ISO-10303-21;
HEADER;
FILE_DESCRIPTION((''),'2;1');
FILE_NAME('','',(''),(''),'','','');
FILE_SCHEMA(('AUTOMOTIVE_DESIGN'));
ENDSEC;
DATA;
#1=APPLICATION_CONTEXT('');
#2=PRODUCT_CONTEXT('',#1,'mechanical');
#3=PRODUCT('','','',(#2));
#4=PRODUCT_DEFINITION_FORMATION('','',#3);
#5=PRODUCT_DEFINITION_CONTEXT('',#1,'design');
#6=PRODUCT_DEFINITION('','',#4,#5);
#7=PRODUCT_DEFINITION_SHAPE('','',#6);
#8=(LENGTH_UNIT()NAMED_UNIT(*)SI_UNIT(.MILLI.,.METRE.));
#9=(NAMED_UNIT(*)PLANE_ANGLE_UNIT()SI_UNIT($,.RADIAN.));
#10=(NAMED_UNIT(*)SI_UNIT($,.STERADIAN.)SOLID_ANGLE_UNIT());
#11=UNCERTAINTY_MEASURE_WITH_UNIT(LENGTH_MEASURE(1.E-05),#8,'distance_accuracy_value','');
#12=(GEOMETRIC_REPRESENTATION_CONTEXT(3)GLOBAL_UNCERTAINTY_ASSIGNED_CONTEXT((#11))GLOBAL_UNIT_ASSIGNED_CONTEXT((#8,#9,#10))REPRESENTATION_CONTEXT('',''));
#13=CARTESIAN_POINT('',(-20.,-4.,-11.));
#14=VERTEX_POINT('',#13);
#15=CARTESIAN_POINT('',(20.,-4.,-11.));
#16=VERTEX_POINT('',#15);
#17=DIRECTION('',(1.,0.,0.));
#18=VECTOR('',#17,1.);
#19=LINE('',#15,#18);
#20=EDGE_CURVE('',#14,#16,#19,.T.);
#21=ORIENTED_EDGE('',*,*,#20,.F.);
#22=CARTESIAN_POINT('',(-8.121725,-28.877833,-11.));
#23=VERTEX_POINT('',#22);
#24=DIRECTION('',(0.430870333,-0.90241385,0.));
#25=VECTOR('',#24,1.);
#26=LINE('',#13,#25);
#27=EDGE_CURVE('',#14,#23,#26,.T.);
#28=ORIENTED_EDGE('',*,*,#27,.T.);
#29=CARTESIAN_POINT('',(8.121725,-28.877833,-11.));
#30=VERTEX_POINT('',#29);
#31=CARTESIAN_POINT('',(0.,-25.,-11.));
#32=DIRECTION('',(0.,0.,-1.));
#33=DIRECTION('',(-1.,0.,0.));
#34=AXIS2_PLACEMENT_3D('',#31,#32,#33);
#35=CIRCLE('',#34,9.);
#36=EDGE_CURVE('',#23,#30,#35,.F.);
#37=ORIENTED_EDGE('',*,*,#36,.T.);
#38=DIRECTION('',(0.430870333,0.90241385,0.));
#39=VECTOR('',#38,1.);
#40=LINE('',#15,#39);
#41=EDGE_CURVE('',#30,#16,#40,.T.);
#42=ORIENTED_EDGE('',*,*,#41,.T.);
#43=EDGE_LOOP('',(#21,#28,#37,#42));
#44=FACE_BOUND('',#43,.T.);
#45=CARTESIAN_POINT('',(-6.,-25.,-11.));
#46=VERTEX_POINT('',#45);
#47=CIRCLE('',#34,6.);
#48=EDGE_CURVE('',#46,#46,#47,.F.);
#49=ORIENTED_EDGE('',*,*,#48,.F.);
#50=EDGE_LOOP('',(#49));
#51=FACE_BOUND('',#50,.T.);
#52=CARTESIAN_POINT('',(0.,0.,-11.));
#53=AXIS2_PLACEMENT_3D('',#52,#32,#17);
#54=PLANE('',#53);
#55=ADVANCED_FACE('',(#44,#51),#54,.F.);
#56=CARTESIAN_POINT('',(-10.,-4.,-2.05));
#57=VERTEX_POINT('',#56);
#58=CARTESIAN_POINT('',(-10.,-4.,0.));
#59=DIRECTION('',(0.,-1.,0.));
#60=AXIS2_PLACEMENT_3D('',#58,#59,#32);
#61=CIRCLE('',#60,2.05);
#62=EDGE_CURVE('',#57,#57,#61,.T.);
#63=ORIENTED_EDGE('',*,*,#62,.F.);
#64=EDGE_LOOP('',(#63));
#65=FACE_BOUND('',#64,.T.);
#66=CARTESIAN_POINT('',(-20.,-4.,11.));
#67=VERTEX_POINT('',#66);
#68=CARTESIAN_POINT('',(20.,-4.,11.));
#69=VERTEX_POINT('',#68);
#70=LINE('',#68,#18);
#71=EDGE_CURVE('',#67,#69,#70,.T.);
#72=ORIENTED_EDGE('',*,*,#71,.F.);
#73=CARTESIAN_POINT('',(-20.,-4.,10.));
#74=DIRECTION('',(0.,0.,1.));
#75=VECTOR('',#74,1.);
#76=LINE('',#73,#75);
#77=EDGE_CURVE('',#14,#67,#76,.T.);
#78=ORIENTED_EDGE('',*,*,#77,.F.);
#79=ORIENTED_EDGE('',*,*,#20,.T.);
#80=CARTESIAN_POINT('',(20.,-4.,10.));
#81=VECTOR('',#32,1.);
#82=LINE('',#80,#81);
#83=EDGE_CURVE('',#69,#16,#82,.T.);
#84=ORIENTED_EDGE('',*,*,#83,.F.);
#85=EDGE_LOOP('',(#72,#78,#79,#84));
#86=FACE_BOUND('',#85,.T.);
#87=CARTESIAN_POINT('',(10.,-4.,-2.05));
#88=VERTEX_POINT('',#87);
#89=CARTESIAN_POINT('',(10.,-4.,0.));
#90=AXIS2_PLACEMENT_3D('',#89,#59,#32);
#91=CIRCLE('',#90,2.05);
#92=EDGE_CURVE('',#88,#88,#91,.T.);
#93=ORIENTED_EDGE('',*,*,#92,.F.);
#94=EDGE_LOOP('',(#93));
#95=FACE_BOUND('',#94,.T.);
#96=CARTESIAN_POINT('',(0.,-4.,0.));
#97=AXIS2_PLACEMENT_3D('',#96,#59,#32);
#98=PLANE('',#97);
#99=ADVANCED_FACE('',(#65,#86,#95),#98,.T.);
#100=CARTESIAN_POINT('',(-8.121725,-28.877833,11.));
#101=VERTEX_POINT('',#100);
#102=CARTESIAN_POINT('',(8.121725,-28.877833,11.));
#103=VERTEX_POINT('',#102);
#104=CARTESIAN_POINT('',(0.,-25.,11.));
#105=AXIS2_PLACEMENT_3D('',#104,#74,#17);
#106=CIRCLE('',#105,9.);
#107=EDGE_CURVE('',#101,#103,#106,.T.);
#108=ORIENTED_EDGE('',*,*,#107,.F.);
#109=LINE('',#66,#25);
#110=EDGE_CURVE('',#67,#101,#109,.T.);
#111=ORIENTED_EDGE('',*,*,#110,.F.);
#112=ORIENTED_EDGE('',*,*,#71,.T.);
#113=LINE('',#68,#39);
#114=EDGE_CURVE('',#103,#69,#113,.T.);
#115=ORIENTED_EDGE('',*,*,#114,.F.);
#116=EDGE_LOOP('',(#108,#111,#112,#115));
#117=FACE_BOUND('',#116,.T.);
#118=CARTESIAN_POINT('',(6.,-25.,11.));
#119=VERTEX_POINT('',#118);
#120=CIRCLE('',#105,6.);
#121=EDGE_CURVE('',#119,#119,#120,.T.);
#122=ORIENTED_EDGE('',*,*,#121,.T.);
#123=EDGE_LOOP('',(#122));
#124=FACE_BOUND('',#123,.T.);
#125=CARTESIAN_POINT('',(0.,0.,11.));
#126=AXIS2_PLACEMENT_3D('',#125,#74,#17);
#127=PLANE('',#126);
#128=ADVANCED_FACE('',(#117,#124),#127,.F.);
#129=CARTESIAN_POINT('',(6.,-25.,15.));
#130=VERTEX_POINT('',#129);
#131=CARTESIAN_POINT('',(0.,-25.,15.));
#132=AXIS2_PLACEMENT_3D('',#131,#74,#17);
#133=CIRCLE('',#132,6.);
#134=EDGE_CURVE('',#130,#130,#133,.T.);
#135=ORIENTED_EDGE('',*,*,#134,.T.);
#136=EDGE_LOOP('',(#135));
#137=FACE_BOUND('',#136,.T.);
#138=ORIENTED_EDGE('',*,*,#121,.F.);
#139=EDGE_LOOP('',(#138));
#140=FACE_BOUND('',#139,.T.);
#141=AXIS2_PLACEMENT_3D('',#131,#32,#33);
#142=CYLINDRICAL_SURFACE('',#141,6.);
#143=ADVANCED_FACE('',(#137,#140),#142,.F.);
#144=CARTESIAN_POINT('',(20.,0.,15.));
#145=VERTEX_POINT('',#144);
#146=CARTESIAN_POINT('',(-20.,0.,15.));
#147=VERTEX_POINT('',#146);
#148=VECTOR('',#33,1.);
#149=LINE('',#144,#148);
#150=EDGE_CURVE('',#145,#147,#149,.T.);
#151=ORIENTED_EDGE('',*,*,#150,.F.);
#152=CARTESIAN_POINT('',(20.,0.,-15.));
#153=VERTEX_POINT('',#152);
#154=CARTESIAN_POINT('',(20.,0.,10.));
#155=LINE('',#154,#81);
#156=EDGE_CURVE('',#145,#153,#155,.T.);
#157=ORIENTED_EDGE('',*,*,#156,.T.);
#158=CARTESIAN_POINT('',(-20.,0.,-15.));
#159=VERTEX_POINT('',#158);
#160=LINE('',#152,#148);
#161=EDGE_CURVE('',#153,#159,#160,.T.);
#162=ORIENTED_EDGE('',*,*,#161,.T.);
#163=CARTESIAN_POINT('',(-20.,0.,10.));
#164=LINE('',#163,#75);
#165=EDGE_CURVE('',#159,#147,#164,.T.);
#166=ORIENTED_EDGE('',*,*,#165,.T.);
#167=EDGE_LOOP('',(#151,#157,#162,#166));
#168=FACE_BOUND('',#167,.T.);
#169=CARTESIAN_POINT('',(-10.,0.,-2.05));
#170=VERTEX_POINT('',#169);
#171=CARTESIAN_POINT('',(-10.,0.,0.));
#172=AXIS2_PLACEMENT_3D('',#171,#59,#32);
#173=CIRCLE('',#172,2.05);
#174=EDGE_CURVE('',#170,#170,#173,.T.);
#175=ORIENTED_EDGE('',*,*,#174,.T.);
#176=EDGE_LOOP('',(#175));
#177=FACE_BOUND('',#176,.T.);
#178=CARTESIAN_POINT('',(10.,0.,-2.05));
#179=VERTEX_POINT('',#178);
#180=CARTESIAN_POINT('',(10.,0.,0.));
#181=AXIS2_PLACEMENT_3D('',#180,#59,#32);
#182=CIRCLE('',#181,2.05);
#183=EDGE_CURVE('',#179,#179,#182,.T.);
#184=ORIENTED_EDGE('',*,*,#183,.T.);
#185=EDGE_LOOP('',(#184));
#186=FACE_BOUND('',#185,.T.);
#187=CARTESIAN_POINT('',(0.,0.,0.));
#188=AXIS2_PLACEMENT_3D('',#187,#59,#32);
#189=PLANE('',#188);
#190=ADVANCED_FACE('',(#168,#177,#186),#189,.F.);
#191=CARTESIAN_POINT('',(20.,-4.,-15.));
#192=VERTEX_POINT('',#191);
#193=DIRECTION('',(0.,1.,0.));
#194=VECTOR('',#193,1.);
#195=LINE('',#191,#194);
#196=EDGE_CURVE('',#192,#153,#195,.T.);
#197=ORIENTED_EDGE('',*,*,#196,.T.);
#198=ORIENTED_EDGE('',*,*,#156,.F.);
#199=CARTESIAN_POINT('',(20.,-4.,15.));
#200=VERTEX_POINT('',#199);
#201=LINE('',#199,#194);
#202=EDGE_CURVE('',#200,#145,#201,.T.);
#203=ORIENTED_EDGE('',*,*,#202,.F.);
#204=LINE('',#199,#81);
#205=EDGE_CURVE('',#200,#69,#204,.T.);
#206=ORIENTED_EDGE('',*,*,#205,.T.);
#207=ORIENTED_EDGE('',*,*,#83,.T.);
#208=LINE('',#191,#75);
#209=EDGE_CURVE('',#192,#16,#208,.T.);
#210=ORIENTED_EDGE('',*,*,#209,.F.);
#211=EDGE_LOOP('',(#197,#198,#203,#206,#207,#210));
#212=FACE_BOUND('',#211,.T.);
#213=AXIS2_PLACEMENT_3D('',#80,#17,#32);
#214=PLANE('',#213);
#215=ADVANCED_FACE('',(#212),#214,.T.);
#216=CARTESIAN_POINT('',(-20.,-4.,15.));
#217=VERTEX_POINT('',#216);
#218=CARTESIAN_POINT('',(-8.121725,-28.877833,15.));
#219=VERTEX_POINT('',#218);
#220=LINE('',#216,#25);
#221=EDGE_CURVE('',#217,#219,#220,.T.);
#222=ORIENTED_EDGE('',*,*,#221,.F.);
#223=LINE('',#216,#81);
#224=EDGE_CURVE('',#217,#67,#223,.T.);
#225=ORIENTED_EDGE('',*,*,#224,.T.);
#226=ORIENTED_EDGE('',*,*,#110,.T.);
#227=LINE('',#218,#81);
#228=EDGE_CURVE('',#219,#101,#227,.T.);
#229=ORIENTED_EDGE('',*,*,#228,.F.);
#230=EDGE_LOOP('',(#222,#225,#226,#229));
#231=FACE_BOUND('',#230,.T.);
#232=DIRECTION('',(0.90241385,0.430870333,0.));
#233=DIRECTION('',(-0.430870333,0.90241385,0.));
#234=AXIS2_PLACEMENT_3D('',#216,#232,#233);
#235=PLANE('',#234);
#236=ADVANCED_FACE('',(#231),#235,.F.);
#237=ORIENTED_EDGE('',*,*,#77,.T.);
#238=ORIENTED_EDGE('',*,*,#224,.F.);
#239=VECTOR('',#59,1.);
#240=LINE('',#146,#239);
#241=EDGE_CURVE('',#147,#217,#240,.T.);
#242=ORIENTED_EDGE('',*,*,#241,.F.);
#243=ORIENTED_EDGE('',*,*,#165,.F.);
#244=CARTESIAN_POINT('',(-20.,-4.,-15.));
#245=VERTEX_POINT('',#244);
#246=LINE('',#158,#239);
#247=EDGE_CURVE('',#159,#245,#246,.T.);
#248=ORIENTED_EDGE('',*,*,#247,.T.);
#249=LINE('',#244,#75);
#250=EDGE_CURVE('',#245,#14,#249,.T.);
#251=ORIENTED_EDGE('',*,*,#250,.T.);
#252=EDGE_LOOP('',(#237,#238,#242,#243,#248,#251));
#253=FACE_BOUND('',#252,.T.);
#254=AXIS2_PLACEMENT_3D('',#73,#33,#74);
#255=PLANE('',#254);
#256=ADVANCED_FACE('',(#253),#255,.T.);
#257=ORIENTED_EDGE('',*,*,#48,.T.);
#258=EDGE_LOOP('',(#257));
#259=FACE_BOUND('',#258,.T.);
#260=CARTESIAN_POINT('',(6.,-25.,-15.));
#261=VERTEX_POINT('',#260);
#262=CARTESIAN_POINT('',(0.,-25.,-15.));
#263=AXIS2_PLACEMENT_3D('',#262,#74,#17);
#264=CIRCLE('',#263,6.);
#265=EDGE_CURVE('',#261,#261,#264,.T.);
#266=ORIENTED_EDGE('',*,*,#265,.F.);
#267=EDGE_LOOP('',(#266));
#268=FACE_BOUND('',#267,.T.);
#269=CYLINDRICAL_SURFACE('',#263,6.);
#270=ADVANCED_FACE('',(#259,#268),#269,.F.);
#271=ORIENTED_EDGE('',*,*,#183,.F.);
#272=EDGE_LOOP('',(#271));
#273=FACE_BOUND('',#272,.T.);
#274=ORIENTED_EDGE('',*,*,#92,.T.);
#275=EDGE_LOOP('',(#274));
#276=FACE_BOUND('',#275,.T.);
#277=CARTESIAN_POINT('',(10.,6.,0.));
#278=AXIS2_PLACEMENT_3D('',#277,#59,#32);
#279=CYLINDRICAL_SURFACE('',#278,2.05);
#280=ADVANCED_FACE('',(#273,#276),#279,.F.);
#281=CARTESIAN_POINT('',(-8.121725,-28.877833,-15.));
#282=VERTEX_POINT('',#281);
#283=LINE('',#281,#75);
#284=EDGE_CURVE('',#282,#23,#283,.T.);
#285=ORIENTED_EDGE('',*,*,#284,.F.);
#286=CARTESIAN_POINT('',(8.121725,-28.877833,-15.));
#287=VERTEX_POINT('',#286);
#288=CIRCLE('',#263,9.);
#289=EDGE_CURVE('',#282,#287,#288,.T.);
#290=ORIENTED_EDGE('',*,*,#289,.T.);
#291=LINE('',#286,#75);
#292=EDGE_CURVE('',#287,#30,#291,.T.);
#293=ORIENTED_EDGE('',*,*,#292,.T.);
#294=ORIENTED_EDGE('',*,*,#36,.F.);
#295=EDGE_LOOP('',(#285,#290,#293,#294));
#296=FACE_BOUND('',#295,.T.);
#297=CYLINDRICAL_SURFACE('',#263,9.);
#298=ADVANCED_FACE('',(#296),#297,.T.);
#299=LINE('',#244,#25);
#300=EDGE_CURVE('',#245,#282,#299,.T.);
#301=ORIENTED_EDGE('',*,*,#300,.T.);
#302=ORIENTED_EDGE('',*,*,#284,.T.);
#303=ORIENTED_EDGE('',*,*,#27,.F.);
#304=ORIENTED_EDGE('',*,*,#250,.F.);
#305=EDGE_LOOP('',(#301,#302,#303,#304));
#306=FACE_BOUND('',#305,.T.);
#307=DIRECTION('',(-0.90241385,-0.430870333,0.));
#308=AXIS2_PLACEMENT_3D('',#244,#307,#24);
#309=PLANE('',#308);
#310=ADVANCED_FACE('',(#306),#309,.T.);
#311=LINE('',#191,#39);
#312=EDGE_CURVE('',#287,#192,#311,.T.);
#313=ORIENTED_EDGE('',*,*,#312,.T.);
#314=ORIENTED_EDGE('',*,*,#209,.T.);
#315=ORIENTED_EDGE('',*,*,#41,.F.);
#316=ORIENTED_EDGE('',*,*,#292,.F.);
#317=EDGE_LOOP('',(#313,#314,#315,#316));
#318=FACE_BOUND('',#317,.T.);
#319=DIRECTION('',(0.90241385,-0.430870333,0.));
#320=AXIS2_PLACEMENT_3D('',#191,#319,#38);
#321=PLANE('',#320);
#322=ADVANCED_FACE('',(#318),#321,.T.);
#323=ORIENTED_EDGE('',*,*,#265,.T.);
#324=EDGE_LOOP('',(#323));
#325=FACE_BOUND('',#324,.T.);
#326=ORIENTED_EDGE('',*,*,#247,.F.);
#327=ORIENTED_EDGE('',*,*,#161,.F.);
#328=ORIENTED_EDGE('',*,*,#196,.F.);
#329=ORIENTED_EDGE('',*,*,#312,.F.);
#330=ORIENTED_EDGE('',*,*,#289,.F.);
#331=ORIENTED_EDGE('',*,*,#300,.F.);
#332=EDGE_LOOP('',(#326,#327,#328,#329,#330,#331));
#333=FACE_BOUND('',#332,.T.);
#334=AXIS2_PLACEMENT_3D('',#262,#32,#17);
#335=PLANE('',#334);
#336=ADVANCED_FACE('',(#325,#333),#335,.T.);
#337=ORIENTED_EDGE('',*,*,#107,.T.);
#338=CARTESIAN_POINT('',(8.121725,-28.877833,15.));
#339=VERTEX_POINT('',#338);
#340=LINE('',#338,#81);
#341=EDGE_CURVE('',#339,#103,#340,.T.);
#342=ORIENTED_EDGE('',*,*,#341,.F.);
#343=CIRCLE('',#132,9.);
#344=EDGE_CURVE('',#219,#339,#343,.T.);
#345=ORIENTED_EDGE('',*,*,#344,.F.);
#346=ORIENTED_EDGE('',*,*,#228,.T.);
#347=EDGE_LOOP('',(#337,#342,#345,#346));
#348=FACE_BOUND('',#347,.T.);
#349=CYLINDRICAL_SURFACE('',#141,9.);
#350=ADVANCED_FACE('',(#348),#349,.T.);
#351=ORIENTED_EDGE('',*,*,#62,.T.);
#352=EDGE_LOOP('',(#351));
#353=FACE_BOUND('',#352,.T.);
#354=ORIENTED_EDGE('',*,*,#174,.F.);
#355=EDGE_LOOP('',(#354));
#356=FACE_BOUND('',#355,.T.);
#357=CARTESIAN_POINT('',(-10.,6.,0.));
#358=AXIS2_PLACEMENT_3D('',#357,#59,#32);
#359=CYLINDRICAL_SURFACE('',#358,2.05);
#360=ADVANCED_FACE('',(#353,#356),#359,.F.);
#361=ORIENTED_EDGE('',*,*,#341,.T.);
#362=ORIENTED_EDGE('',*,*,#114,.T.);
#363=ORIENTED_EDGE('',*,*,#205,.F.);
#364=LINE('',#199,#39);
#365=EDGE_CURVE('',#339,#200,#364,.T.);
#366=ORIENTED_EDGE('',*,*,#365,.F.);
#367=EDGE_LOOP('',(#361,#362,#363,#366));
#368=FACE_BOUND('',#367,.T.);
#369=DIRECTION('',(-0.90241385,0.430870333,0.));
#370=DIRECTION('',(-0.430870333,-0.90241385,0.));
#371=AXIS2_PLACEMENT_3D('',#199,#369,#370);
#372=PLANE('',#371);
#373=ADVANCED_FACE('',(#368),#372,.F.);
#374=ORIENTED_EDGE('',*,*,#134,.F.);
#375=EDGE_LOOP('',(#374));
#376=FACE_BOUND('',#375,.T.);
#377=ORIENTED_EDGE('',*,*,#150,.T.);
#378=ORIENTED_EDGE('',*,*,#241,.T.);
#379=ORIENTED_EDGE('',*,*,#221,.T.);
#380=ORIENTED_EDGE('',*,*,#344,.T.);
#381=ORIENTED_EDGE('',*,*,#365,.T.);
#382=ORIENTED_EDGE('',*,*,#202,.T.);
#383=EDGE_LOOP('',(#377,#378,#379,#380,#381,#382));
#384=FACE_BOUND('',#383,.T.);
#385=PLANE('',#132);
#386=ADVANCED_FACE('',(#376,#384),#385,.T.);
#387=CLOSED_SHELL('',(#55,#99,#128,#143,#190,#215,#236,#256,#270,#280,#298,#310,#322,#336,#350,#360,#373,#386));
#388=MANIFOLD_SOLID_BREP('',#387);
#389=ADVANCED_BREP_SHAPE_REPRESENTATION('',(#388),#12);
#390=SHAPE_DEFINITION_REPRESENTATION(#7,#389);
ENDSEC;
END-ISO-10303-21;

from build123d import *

# Parameters (mm, degrees)
SKETCH_1_W          = 40
SKETCH_1_H          = 20
EXTRUDE_1_DEPTH     = 4
SKETCH_2_R          = 6
EXTRUDE_2_DEPTH     = 5
SKETCH_3_W          = 40
SKETCH_3_H          = 35
CUT_EXTRUDE_1_DEPTH = 1
SKETCH_6_R          = 2.05
CUT_EXTRUDE_3_DEPTH = 10


with BuildPart() as part:
    # 草图1 → 凸台-拉伸1 (new body)
    with BuildSketch(Plane(origin=(0, 0, 0), x_dir=(1, 0, 0), z_dir=(0, 1, 0))):
        Rectangle(SKETCH_1_W, SKETCH_1_H)
    extrude(amount=-EXTRUDE_1_DEPTH)

    # 草图2 → 凸台-拉伸2 (add)
    with BuildSketch(Plane.XY.offset(10)):
        with BuildLine():
            Line((20, -4), (20, 0))
            Line((20, 0), (-20, 0))
            Line((-20, 0), (-20, -4))
            Line((-20, -4), (-8.121724647, -28.877832997))
            ThreePointArc((-8.121724647, -28.877832997), (0, -34), (8.121724647, -28.877832997))
            Line((8.121724647, -28.877832997), (20, -4))
        make_face()
        with Locations((0, -25)):
            Circle(SKETCH_2_R, mode=Mode.SUBTRACT)
    extrude_2 = extrude(amount=EXTRUDE_2_DEPTH)

    # 草图3 → 切除-拉伸1 (cut)
    with BuildSketch(Plane(origin=(0, 0, 10), x_dir=(-1, 0, 0), z_dir=(0, 0, -1))):
        with Locations((0, -21.5)):
            Rectangle(SKETCH_3_W, SKETCH_3_H)
    cut_extrude_1 = extrude(amount=-CUT_EXTRUDE_1_DEPTH, mode=Mode.SUBTRACT)

    # 镜向1: 凸台-拉伸2, 切除-拉伸1 across plane
    add(extrude_2.mirror(Plane.XY))
    add(cut_extrude_1.mirror(Plane.XY), mode=Mode.SUBTRACT)

    # 草图6 → 切除-拉伸3 (cut)
    with BuildSketch(Plane.XZ.offset(4)):
        with Locations(Location((-10, 0, 0), (0, 0, 270))):
            Circle(SKETCH_6_R)
        with Locations(Location((10, 0, 0), (0, 0, 270))):
            Circle(SKETCH_6_R)
    extrude(amount=-CUT_EXTRUDE_3_DEPTH, mode=Mode.SUBTRACT)


solid = part.part
